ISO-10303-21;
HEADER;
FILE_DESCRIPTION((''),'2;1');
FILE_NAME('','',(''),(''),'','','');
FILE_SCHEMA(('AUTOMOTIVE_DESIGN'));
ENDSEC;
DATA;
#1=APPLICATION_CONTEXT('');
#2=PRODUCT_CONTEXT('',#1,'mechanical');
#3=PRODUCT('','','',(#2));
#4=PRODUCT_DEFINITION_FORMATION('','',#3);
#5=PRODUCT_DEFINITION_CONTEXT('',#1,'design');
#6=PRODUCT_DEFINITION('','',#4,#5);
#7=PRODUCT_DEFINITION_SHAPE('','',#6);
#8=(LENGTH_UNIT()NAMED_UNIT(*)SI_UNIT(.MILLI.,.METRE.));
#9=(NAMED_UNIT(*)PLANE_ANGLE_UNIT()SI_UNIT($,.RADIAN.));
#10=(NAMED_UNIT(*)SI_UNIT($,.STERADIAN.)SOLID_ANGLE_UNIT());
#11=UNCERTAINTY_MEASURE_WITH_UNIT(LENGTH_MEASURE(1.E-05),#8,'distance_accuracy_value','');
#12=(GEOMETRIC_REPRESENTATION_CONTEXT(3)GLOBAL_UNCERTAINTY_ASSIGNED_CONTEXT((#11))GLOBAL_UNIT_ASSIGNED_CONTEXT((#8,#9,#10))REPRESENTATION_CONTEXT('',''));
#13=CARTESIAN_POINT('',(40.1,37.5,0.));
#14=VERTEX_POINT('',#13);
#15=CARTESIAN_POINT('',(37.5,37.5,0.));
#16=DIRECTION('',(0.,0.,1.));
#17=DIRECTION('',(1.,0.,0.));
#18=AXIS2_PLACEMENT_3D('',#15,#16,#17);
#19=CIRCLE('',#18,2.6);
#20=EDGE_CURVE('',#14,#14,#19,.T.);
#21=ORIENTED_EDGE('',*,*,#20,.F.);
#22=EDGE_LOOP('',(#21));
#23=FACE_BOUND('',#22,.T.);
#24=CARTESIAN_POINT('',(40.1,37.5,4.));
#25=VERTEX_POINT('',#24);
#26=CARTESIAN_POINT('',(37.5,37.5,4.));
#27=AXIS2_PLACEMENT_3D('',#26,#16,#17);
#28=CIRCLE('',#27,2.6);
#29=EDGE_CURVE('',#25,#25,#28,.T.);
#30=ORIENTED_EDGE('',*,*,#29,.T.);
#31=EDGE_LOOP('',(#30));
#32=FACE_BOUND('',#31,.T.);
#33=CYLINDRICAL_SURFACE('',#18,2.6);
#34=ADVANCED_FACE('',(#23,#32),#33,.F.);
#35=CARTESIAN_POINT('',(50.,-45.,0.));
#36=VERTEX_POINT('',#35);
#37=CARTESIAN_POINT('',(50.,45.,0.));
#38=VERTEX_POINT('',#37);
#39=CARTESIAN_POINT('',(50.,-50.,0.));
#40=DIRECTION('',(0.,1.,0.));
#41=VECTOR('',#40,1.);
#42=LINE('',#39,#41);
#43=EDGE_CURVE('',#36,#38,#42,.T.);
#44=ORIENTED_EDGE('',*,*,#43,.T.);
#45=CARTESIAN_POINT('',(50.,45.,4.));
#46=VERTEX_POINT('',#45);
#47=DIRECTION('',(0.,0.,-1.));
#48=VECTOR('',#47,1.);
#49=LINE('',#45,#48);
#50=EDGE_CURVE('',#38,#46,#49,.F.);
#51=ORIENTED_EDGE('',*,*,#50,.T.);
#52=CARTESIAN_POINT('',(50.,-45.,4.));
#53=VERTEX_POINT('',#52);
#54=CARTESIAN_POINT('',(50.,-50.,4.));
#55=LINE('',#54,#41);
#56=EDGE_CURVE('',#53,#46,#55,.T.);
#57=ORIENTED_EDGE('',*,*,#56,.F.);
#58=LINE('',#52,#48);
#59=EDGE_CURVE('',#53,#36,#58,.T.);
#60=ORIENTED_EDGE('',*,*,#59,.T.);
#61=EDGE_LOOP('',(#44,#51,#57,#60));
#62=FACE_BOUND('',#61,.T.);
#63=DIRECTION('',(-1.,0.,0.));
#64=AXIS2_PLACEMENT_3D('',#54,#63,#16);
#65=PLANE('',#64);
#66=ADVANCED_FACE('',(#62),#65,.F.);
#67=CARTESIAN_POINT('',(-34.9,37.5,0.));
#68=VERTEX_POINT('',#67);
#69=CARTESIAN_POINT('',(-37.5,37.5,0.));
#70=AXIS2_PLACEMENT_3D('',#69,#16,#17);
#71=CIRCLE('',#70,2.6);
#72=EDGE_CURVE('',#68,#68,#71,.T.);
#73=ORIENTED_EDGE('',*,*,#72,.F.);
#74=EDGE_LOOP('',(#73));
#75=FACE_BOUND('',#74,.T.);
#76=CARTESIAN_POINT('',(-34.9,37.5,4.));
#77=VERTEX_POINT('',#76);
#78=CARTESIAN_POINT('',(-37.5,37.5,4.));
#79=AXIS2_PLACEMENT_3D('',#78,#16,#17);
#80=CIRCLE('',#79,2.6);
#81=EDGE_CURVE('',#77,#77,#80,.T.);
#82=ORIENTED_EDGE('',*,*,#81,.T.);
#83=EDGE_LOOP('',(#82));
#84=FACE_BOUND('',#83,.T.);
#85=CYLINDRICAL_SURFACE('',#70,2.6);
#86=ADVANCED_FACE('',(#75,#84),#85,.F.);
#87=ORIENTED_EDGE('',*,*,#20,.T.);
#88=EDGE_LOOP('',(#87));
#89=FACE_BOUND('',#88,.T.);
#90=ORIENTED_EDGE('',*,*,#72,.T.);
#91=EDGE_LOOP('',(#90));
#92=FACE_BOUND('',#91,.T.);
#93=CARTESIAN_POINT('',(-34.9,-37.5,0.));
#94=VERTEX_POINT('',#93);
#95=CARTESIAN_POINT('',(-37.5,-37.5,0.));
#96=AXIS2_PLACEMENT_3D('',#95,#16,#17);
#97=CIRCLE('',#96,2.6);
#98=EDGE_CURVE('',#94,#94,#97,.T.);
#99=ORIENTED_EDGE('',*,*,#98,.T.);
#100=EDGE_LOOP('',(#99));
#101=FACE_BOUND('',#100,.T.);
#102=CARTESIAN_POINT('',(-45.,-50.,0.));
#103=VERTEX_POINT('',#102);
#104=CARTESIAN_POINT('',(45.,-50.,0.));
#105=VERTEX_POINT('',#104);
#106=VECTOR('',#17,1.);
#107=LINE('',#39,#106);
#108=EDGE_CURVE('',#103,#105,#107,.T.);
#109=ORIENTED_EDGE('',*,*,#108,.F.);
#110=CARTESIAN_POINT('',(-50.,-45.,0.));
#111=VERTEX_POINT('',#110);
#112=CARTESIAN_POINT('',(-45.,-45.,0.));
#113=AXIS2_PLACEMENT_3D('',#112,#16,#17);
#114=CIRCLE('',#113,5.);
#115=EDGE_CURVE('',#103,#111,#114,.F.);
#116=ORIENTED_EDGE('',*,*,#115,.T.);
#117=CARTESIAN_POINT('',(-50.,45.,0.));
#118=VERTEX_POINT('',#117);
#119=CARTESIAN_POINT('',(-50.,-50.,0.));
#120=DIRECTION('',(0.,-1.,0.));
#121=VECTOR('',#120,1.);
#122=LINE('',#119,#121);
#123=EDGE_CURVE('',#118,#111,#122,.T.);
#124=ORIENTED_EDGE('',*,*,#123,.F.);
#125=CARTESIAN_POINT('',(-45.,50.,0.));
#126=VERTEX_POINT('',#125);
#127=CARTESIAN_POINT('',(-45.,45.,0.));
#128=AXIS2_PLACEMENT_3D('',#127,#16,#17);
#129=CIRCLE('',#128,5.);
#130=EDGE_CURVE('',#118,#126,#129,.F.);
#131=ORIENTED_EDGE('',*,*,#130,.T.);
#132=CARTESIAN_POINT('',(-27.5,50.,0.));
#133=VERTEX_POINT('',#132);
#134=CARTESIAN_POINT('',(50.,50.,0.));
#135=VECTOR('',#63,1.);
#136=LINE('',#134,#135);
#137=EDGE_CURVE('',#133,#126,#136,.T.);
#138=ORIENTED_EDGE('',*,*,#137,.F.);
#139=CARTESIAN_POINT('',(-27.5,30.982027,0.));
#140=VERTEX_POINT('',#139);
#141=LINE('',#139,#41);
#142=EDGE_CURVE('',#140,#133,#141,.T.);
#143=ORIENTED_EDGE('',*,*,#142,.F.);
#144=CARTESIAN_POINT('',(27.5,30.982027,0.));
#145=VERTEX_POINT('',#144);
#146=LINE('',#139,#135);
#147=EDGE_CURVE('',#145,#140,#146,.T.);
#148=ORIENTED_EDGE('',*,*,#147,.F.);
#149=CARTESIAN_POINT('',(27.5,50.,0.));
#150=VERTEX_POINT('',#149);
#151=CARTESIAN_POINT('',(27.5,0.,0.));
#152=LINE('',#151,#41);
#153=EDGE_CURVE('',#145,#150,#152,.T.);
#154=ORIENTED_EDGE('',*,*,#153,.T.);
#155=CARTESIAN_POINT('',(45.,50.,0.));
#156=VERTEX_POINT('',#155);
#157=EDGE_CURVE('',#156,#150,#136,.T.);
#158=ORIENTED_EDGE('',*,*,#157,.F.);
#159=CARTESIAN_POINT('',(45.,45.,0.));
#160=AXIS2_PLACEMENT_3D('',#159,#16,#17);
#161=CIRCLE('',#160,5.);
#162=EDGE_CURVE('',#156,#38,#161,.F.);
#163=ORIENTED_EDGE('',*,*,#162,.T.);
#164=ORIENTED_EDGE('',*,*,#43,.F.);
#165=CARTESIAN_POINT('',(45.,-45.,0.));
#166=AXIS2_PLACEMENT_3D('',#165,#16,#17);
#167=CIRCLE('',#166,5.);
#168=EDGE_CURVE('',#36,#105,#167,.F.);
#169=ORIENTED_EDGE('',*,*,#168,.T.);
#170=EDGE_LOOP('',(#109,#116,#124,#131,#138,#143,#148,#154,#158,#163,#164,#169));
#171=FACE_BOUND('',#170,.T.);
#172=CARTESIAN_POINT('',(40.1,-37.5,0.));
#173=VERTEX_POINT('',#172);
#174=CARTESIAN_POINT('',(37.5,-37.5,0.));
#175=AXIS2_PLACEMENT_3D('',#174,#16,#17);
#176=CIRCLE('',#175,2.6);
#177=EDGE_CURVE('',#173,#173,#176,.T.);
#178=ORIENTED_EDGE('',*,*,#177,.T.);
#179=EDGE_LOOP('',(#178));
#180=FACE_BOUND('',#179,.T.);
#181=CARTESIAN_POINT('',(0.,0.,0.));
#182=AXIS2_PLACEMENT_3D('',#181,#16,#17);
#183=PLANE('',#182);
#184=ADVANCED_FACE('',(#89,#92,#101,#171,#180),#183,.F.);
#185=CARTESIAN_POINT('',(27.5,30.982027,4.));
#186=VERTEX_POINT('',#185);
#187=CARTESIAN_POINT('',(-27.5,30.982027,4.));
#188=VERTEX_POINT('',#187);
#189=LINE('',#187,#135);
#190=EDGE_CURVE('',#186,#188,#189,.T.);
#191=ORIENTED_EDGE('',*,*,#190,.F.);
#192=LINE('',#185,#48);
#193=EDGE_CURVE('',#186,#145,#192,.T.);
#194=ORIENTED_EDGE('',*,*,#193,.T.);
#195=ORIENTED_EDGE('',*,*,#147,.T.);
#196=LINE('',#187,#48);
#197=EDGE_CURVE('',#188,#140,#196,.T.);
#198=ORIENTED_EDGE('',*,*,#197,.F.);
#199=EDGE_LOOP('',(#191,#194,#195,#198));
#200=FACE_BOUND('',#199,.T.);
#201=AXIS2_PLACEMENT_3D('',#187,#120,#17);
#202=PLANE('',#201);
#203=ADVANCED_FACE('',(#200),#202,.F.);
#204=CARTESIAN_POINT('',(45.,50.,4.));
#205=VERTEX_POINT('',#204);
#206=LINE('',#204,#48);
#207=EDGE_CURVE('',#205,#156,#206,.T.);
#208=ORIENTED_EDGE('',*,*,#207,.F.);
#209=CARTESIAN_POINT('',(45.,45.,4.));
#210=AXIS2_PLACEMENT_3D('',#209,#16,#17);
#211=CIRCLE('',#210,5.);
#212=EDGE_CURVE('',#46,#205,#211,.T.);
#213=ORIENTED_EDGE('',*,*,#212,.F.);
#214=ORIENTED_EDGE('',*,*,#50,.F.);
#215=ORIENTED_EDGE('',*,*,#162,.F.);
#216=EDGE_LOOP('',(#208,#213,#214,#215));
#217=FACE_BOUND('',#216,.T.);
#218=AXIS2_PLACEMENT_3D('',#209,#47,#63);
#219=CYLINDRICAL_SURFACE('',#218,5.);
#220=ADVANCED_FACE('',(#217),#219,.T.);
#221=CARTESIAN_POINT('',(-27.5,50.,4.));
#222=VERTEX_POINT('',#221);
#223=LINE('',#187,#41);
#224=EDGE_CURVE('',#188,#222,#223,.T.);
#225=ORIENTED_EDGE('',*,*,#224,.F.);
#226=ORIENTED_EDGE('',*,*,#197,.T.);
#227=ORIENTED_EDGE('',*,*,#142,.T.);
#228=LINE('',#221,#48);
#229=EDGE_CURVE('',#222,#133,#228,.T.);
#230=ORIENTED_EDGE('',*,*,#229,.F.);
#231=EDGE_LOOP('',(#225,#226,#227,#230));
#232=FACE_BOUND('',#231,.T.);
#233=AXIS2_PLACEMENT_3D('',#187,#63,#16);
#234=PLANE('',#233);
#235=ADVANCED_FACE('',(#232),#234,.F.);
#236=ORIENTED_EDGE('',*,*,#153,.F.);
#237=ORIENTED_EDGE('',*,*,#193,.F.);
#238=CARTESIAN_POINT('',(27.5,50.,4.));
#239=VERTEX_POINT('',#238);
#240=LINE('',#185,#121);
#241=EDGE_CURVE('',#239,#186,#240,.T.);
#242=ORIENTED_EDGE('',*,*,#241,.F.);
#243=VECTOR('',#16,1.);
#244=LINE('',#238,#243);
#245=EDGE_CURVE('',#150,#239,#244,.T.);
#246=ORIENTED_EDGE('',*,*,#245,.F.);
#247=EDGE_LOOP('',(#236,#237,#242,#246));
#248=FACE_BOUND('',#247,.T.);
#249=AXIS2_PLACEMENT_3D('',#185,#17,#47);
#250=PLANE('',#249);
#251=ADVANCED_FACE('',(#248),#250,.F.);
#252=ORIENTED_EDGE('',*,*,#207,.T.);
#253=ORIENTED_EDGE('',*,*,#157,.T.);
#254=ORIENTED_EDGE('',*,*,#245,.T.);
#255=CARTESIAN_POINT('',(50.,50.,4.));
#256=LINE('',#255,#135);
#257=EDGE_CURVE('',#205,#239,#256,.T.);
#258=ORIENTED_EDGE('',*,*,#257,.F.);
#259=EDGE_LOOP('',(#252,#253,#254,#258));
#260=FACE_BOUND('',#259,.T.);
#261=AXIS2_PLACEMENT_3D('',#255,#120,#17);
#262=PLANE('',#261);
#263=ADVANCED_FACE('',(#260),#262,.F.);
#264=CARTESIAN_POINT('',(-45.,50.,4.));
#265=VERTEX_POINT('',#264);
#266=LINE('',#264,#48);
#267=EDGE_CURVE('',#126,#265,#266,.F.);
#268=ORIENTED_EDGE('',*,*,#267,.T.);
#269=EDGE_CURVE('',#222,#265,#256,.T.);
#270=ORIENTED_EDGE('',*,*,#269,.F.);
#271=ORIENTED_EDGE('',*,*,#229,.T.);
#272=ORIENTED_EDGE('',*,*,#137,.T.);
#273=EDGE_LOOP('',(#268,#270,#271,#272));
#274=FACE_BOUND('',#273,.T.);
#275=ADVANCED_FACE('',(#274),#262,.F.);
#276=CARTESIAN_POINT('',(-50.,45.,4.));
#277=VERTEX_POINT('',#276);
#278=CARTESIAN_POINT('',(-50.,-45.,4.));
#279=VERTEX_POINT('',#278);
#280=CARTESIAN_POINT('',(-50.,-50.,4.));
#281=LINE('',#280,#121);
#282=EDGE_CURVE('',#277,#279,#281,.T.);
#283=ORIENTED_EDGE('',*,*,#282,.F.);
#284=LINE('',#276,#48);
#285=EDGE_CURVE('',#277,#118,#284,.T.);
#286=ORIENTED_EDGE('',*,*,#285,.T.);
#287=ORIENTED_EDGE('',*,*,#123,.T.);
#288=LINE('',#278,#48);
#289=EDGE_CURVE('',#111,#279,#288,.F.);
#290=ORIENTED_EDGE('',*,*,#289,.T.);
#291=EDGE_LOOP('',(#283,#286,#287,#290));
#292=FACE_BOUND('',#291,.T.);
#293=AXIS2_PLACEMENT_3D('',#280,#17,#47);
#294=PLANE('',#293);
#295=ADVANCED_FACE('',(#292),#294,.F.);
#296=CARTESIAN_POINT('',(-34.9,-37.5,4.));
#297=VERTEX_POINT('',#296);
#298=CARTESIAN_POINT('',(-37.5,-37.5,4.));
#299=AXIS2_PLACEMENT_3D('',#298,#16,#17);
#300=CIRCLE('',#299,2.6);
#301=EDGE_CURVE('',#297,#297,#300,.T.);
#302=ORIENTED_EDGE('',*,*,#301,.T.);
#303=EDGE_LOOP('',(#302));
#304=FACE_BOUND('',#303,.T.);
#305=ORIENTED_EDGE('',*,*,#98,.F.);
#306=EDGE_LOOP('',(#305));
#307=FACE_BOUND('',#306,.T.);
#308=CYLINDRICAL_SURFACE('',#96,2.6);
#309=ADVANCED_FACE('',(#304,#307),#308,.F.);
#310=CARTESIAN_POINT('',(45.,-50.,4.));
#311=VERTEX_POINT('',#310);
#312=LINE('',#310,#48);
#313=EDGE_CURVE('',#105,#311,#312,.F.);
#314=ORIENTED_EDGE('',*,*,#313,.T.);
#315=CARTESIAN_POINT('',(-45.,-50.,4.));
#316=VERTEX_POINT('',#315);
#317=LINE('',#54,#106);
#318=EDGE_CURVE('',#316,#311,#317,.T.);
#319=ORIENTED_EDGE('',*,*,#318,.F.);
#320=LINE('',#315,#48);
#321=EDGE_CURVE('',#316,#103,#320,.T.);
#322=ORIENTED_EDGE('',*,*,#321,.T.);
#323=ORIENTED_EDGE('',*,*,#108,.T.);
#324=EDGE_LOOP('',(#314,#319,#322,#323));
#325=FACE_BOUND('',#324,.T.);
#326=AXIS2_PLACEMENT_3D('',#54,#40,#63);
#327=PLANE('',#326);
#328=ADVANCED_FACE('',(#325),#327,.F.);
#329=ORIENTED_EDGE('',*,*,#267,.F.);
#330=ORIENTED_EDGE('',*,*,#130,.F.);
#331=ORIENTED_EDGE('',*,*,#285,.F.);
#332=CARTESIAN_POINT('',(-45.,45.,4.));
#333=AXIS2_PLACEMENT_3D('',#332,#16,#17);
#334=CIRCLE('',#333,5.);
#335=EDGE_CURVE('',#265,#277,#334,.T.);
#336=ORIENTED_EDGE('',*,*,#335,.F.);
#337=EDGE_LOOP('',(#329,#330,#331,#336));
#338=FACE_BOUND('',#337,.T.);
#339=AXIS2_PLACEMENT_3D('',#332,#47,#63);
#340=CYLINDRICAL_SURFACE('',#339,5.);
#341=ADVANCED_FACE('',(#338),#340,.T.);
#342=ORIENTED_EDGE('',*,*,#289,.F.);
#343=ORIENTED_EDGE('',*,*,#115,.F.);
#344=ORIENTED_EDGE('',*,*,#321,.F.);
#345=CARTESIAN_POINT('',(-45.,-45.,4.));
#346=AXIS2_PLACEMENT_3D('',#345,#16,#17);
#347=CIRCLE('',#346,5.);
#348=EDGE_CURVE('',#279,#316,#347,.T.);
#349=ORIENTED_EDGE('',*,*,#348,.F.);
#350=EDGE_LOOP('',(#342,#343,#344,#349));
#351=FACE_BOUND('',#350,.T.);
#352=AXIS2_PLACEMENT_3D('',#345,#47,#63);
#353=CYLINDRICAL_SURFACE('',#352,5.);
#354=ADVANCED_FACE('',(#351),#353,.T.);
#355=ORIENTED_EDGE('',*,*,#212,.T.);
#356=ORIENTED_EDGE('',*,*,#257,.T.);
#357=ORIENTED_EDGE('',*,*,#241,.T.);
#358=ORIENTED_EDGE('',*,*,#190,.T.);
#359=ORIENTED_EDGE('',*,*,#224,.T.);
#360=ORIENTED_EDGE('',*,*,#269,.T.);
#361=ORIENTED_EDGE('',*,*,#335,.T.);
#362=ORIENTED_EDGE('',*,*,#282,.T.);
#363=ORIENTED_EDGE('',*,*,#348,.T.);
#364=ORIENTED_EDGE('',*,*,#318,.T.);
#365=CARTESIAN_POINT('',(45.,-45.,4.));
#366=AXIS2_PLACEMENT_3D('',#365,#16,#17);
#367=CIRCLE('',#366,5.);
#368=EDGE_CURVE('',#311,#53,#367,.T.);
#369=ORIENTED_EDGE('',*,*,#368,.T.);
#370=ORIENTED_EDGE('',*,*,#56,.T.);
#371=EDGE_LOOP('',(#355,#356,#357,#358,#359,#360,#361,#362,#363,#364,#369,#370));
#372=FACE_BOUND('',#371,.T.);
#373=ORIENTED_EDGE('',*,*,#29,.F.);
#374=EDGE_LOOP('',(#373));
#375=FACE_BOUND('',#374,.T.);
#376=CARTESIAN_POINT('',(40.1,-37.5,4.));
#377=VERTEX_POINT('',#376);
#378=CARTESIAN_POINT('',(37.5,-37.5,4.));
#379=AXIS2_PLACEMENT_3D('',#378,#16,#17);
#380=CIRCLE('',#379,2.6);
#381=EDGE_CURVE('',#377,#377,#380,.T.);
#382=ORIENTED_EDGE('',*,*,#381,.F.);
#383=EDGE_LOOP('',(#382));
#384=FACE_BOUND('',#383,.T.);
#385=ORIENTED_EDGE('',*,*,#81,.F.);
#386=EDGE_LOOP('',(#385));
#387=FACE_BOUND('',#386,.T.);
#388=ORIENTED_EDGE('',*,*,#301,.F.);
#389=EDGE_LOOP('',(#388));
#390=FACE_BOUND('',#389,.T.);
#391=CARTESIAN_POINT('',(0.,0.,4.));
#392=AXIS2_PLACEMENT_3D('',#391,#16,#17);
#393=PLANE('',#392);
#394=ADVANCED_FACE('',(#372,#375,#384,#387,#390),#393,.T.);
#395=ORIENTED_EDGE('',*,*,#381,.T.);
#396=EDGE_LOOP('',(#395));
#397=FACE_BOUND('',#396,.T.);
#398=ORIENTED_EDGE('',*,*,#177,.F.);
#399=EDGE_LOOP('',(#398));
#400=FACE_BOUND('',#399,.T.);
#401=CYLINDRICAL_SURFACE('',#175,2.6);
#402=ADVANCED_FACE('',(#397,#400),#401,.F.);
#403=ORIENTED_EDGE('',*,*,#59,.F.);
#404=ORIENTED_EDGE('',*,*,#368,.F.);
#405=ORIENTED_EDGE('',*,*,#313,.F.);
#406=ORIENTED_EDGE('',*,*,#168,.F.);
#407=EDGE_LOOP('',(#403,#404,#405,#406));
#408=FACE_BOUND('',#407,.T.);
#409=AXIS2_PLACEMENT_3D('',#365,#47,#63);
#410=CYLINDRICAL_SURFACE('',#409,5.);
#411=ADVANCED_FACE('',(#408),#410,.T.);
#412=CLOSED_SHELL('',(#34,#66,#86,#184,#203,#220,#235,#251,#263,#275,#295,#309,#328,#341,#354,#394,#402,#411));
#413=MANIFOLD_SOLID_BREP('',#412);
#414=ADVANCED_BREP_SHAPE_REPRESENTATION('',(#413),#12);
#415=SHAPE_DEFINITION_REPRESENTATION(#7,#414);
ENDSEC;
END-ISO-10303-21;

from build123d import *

# Parameters (mm, degrees)
SKETCH1_W           = 100
SKETCH1_H           = 100
BOSS_EXTRUDE1_DEPTH = 4
SKETCH2_R           = 2.6
CUT_EXTRUDE1_DEPTH  = 4
FILLET1_R           = 5
SKETCH3_W           = 55
SKETCH3_H           = 25
CUT_EXTRUDE2_DEPTH  = 4


with BuildPart() as part:
    # Sketch1 → Boss-Extrude1 (new body)
    with BuildSketch(Plane.XY):
        Rectangle(SKETCH1_W, SKETCH1_H)
    extrude(amount=BOSS_EXTRUDE1_DEPTH)

    # Sketch2 → Cut-Extrude1 (cut)
    with BuildSketch(Plane.XY.offset(4)):
        with Locations((-37.5, 37.5)):
            Circle(SKETCH2_R)
        with Locations((-37.5, -37.5)):
            Circle(SKETCH2_R)
        with Locations((37.5, -37.5)):
            Circle(SKETCH2_R)
        with Locations((37.5, 37.5)):
            Circle(SKETCH2_R)
    extrude(amount=-CUT_EXTRUDE1_DEPTH, mode=Mode.SUBTRACT)

    # Fillet1
    fillet1_edges = [part.edges().sort_by_distance(p)[0] for p in [
        (-50, 50, 2),
        (50, 50, 2),
        (50, -50, 2),
        (-50, -50, 2),
    ]]
    fillet(fillet1_edges, radius=FILLET1_R)

    # Sketch3 → Cut-Extrude2 (cut)
    with BuildSketch(Plane(origin=(0, 0, 0), x_dir=(-1, 0, 0), z_dir=(0, 0, -1))):
        with Locations((0, 43.482027076)):
            Rectangle(SKETCH3_W, SKETCH3_H)
    extrude(amount=-CUT_EXTRUDE2_DEPTH, mode=Mode.SUBTRACT)


solid = part.part
